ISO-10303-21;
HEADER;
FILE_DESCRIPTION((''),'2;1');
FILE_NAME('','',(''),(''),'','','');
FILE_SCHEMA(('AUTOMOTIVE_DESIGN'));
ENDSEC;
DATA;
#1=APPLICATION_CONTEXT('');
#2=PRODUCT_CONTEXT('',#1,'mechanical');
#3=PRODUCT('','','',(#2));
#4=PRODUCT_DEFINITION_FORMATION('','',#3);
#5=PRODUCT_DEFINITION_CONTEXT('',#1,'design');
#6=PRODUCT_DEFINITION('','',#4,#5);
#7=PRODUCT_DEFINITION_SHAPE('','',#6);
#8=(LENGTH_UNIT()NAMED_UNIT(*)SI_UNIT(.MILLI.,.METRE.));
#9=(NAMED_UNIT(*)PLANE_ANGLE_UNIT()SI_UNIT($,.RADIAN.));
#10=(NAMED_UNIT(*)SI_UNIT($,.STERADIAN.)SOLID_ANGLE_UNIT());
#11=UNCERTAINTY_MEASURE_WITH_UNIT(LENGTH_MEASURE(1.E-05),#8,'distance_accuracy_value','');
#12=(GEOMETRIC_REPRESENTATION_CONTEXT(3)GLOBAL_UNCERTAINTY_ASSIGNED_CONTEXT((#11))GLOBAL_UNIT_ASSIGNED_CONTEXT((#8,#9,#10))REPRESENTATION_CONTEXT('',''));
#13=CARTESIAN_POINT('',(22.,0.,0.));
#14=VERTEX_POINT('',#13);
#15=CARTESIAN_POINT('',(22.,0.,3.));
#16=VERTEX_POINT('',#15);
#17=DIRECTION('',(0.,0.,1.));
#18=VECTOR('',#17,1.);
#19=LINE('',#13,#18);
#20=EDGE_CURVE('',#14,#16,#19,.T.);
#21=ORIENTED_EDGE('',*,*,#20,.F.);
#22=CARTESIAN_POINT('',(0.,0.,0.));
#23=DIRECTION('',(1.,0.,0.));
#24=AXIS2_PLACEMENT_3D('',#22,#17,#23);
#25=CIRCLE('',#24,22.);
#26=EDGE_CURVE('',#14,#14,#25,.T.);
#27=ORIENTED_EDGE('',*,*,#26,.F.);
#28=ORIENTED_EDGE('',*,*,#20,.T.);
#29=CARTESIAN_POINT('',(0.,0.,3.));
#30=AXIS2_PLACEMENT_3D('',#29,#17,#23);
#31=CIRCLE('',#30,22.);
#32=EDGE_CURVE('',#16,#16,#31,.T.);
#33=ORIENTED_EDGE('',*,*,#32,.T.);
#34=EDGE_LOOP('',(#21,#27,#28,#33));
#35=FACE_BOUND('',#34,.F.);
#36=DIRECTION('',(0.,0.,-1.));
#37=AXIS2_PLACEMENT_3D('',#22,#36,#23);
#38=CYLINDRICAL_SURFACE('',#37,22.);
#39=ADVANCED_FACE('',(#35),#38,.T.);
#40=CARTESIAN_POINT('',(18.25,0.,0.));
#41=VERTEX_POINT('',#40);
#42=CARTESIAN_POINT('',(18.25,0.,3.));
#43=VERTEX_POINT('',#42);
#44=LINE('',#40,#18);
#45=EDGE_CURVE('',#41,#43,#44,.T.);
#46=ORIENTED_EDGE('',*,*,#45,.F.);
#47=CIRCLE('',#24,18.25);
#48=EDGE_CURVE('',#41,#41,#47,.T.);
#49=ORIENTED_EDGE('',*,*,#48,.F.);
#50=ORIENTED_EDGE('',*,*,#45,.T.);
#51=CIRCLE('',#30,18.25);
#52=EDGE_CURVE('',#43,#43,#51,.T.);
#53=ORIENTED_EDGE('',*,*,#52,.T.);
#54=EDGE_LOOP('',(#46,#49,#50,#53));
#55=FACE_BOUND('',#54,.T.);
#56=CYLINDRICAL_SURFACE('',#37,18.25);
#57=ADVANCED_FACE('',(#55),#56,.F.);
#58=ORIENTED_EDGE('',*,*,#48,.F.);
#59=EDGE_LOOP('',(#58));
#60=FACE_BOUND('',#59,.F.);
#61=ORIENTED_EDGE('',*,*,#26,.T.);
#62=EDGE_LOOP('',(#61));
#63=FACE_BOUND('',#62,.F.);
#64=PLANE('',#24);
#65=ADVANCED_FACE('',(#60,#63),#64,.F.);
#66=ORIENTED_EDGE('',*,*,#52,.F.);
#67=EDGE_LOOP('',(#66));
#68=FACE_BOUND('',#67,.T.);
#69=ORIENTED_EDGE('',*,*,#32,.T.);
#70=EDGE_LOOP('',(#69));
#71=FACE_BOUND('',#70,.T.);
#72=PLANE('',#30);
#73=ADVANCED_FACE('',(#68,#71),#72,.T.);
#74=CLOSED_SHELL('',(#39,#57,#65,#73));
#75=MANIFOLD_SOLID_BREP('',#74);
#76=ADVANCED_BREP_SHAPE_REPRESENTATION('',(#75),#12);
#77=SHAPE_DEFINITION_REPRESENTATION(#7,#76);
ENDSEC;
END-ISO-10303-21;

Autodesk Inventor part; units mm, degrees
ref_plane "YZ Plane" through (0, 0, 0) normal (1, 0, 0) x (0, 1, 0)
ref_plane "XZ Plane" through (0, 0, 0) normal (0, 1, 0) x (-1, 0, 0)
ref_plane "XY Plane" through (0, 0, 0) normal (0, 0, 1) x (1, 0, 0)
sketch "Sketch1" plane through (0, 0, 0) normal (0, 0, 1) x (1, 0, 0)
  circle A0 centre (0, 0) radius 18.25
  circle A1 centre (0, 0) radius 22
  dimension "d0" = 36.5
  dimension "d1" = 44
extrude "Extrusion1" add sketch "Sketch1" along normal blind 3
properties part number "ExpSeal"
